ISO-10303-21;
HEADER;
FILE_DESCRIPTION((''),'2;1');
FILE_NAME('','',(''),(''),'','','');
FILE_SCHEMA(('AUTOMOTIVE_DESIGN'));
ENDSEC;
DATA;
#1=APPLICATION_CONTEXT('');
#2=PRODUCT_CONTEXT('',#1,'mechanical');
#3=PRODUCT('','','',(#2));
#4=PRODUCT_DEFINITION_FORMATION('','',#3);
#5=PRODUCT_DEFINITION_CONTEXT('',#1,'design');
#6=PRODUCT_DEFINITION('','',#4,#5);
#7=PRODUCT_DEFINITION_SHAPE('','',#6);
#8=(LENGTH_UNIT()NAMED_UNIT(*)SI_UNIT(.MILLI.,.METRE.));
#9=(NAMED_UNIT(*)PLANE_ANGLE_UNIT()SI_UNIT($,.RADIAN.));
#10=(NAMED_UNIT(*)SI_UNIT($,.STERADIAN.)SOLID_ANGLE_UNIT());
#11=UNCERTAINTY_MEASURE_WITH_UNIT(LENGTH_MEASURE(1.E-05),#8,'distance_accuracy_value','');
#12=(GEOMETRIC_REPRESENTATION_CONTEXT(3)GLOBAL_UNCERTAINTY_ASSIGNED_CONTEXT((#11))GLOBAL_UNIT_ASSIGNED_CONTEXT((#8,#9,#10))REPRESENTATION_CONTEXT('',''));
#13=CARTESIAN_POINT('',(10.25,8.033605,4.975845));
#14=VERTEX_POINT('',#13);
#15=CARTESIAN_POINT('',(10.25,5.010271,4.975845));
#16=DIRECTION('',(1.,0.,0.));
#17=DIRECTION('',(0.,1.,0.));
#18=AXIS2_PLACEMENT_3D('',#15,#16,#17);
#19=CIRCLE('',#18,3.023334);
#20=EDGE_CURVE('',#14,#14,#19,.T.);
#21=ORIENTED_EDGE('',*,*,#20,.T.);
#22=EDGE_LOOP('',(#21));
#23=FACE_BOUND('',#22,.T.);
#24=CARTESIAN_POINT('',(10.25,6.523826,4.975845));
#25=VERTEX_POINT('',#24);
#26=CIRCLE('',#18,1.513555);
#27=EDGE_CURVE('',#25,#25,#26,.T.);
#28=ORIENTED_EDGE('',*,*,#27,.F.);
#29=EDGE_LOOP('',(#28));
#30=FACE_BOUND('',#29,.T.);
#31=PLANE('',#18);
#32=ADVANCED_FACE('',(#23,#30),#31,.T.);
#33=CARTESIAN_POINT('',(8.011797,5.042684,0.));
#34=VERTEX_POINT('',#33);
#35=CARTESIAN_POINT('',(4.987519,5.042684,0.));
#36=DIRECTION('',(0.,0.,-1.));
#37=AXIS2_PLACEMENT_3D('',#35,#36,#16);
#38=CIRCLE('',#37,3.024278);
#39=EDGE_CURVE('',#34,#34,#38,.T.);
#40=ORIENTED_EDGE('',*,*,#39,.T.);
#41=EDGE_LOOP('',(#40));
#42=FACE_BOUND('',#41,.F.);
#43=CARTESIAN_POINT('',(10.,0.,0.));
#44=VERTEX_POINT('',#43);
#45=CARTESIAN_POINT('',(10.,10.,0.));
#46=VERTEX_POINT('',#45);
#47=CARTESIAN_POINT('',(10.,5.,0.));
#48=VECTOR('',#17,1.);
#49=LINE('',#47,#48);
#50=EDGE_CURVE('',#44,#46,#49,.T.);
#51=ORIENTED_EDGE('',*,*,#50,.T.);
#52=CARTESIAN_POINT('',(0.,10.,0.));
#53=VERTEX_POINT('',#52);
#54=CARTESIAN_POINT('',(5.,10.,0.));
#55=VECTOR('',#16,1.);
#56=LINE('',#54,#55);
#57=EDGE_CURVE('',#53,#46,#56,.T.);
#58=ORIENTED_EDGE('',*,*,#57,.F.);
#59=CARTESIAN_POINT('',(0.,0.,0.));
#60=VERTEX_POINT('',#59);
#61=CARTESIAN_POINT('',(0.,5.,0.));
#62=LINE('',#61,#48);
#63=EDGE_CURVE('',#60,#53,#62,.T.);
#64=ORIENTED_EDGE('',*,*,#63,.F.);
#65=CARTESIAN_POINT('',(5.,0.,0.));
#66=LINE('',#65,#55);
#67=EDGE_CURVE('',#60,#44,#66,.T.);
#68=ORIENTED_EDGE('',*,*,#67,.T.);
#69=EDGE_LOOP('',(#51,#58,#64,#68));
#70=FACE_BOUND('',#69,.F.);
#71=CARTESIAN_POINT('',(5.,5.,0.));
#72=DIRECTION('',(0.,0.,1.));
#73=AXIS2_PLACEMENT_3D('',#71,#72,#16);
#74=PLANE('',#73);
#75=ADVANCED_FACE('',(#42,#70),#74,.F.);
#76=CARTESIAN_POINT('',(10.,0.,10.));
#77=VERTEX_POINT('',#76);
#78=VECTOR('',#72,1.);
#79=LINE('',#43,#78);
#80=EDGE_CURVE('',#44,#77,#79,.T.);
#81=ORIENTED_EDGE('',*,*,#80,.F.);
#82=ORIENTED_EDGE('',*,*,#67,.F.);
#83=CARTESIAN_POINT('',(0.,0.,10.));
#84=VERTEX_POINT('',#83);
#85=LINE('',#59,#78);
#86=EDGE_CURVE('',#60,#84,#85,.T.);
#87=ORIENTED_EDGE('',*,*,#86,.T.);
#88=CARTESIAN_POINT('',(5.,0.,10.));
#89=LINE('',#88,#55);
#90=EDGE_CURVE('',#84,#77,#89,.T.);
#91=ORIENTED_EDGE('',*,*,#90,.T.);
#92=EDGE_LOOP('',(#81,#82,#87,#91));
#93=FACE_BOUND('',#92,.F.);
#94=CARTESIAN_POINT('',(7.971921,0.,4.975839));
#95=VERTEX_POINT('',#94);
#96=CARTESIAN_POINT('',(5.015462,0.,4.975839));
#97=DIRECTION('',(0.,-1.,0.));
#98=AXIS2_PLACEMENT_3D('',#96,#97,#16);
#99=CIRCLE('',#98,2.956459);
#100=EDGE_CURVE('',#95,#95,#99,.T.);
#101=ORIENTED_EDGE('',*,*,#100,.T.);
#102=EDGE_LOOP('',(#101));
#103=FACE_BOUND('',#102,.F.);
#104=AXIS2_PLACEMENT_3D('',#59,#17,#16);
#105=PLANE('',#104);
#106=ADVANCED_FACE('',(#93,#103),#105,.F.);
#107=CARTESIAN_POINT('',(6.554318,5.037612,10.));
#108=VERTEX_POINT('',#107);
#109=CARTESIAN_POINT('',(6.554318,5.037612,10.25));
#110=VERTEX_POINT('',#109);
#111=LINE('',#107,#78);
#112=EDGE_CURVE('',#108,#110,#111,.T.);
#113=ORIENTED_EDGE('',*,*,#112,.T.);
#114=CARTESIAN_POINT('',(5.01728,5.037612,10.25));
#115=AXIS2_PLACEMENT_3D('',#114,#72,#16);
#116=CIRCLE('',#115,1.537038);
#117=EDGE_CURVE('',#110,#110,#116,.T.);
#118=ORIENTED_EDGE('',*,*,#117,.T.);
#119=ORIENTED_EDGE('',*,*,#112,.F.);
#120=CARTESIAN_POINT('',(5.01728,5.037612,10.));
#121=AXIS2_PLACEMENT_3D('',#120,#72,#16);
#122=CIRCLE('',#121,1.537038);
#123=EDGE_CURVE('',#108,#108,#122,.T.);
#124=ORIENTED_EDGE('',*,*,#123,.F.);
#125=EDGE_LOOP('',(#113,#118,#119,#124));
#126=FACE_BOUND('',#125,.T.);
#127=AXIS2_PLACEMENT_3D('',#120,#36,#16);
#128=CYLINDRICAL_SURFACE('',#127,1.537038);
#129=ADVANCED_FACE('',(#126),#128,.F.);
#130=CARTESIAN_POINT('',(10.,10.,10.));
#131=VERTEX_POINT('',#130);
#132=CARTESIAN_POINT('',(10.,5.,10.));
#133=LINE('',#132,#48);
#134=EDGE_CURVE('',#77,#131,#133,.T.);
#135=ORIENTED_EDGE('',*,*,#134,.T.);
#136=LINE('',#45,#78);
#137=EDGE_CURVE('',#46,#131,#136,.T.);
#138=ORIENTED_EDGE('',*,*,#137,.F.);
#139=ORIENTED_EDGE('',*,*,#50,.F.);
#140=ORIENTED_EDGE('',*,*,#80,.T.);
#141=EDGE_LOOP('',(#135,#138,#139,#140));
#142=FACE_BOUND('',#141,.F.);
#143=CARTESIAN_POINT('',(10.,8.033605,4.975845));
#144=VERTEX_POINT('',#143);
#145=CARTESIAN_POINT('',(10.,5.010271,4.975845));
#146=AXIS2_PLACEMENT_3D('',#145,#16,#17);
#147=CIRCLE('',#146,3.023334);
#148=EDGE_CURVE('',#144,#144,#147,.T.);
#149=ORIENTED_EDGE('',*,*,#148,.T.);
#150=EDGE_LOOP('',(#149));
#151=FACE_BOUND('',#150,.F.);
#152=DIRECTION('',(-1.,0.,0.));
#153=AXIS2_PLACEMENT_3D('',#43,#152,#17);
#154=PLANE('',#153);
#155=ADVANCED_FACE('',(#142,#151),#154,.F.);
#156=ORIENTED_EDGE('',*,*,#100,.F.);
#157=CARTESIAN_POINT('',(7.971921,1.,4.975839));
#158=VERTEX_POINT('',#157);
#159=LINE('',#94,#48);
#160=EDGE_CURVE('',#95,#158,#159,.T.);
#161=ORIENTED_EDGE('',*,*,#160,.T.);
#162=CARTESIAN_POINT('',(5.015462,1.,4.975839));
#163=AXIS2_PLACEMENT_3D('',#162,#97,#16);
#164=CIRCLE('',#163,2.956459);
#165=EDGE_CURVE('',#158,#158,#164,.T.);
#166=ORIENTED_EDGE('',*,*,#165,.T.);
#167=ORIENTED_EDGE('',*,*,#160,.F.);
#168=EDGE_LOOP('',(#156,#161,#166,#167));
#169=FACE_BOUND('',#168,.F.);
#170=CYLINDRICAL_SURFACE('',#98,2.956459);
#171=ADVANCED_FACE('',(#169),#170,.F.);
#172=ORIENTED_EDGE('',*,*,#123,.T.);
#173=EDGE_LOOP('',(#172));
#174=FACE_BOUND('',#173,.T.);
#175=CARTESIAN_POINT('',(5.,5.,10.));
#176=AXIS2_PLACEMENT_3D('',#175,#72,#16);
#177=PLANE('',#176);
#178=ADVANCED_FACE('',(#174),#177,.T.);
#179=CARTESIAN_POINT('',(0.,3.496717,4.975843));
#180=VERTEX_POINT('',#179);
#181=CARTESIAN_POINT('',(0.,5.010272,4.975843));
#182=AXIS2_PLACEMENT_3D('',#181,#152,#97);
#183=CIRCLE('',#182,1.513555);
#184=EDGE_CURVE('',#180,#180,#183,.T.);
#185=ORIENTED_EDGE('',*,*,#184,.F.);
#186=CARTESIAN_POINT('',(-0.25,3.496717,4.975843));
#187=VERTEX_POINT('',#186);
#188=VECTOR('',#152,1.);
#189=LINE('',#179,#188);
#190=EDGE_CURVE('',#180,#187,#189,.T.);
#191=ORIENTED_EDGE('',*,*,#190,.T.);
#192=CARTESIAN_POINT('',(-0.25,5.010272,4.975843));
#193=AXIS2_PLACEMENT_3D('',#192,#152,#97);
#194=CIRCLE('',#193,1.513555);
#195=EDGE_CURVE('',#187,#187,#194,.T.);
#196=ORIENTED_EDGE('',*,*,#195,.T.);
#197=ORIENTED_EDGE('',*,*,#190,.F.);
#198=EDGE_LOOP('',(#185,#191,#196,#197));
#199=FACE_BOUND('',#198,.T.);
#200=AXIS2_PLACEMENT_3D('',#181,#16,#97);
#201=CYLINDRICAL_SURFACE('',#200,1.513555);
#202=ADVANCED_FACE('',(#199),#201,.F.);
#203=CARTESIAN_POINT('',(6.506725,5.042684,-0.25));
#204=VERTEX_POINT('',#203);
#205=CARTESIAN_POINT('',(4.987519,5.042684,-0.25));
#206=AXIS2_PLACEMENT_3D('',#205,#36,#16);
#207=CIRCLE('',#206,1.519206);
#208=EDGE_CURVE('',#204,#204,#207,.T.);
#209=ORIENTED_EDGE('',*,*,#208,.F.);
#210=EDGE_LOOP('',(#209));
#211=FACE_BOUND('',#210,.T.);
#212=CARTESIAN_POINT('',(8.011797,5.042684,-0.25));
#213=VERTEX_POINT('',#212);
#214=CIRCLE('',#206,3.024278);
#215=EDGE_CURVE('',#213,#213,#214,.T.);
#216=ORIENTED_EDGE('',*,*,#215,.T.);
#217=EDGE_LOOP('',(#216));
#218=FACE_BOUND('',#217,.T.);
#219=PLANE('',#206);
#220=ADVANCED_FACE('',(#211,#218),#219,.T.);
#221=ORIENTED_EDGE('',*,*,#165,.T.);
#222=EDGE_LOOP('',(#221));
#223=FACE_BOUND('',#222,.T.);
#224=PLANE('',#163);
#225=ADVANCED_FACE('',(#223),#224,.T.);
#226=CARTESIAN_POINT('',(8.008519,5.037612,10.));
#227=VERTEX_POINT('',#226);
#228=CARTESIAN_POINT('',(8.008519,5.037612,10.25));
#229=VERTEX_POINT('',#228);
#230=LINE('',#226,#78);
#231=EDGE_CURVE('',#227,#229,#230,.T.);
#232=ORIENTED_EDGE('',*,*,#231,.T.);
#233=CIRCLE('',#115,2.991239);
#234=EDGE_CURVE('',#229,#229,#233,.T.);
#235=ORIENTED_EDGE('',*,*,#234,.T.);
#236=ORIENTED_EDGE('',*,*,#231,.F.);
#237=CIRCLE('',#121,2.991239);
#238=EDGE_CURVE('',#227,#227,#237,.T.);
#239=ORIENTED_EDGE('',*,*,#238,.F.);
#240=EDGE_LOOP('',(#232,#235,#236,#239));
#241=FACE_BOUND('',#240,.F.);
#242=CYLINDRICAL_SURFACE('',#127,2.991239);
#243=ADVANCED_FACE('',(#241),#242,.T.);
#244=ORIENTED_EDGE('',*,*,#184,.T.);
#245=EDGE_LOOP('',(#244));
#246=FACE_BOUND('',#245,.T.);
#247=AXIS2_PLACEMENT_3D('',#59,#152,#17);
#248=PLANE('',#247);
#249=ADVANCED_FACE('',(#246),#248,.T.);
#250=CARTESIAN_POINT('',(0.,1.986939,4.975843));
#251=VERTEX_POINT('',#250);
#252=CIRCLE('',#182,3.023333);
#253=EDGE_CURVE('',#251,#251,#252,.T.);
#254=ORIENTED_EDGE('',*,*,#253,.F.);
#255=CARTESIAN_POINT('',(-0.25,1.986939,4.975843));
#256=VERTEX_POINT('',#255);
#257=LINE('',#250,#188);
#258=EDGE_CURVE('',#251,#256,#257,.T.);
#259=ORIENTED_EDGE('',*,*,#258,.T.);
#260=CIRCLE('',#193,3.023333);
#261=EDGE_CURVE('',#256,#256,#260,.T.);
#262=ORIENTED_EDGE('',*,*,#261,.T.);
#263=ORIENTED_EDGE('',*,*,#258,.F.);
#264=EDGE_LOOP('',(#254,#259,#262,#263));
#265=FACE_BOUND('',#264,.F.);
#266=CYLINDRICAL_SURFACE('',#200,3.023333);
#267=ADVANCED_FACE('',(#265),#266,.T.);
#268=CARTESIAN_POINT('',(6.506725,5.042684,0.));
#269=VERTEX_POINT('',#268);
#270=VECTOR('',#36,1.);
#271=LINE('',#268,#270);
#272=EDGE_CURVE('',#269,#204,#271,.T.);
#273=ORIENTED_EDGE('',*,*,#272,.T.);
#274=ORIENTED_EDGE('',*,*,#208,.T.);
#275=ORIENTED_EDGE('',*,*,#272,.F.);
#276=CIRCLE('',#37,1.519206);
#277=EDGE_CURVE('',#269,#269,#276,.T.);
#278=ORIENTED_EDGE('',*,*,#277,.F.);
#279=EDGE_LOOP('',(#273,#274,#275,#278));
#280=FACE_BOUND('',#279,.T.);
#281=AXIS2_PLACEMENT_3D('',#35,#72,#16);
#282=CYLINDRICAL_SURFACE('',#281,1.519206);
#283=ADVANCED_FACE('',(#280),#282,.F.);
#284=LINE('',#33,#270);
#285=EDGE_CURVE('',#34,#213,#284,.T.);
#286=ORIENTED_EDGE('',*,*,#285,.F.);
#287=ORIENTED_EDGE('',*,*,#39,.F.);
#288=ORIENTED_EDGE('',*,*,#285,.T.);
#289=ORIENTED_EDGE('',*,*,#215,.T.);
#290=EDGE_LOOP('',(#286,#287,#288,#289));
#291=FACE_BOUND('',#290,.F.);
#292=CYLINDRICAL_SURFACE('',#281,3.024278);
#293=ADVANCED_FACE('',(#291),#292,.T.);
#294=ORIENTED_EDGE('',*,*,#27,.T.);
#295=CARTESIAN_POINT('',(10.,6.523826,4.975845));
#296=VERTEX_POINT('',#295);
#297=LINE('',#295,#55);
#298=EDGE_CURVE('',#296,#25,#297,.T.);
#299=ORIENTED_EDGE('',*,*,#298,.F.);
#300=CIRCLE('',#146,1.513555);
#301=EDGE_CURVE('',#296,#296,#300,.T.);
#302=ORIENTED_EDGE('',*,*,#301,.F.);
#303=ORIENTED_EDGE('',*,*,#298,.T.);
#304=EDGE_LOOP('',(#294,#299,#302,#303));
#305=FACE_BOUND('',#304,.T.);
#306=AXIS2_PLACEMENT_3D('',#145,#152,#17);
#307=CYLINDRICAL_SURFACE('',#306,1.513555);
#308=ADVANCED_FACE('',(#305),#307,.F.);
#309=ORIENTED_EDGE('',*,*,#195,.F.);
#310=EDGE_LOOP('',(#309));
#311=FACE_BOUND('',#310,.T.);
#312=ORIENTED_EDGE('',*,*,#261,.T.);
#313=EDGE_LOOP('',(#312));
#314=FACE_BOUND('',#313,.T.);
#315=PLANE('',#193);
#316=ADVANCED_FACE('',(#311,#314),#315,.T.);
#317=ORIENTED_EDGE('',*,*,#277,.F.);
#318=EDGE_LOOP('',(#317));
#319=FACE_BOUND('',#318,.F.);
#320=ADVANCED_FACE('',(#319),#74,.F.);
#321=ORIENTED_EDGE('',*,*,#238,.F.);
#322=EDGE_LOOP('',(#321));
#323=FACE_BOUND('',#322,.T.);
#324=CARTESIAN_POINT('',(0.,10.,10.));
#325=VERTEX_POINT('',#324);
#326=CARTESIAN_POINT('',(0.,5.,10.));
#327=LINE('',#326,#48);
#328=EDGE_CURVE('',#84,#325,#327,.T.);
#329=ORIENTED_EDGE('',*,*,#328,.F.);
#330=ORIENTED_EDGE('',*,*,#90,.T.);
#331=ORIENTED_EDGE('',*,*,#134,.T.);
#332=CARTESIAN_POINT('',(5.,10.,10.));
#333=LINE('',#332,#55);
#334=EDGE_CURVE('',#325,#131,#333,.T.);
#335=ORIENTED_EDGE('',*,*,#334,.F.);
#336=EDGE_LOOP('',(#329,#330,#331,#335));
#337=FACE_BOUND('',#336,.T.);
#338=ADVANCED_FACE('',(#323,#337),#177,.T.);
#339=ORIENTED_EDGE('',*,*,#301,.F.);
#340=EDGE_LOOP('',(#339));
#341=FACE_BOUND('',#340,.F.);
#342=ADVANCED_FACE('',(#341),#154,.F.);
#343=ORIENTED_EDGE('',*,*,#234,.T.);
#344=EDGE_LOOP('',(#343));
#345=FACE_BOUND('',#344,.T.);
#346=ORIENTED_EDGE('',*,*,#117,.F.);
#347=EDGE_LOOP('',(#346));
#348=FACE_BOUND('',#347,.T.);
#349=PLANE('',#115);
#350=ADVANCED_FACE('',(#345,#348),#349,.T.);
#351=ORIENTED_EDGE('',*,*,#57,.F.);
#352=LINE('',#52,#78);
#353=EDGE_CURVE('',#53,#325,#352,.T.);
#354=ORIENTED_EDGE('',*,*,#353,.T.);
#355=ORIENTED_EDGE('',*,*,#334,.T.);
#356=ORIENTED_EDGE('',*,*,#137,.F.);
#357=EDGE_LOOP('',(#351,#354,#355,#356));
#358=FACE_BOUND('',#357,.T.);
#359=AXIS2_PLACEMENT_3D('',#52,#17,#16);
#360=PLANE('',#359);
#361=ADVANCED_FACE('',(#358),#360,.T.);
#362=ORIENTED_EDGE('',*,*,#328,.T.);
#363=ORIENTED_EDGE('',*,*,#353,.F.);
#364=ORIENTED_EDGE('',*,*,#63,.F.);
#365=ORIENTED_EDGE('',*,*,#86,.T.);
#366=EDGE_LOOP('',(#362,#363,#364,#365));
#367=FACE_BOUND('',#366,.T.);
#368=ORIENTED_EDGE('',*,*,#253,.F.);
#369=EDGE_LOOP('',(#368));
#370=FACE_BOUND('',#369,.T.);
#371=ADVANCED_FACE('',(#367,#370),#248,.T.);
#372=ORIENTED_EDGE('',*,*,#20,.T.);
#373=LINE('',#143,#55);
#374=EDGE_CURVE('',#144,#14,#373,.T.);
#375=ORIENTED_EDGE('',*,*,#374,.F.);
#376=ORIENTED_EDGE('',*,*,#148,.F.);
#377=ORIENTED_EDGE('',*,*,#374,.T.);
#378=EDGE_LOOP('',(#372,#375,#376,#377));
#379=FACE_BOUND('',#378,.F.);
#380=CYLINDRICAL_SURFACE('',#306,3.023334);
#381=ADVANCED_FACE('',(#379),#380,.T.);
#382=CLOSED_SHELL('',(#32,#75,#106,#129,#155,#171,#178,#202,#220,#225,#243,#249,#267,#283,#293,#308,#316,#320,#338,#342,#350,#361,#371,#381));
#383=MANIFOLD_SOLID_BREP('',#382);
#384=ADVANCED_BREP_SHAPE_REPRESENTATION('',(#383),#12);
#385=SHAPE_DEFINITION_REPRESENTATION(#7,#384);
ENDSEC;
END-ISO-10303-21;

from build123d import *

# Parameters (mm, degrees)
BOX_W         = 10
BOX_H         = 10
BOX_DEPTH     = 10
SKETCH_R      = 2.991239
SKETCH_R_2    = 1.537038
PAD_DEPTH     = 0.25
SKETCH001_R   = 3.024278
SKETCH001_R_2 = 1.519206
PAD001_DEPTH  = 0.25
SKETCH002_R   = 3.023334
SKETCH002_R_2 = 1.513555
PAD002_DEPTH  = 0.25
SKETCH003_R   = 3.023333
SKETCH003_R_2 = 1.513555
PAD003_DEPTH  = 0.25
SKETCH004_R   = 2.956459
POCKET_DEPTH  = 1


with BuildPart() as part:
    # Box → Box (new body)
    with BuildSketch(Plane.XY):
        with Locations((5, 5)):
            Rectangle(BOX_W, BOX_H)
    extrude(amount=BOX_DEPTH)

    # Sketch → Pad (new body)
    with BuildSketch(Plane.XY.offset(10)):
        with Locations((5.01728, 5.037612)):
            Circle(SKETCH_R)
        with Locations((5.01728, 5.037612)):
            Circle(SKETCH_R_2, mode=Mode.SUBTRACT)
    extrude(amount=PAD_DEPTH)

    # Sketch001 → Pad001 (new body)
    with BuildSketch(Plane(origin=(0, 0, 0), x_dir=(1, 0, 0), z_dir=(0, 0, -1))):
        with Locations((4.987519, -5.042684)):
            Circle(SKETCH001_R)
        with Locations((4.987519, -5.042684)):
            Circle(SKETCH001_R_2, mode=Mode.SUBTRACT)
    extrude(amount=PAD001_DEPTH)

    # Sketch002 → Pad002 (new body)
    with BuildSketch(Plane.YZ.offset(10)):
        with Locations((5.010271, 4.975845)):
            Circle(SKETCH002_R)
        with Locations((5.010271, 4.975845)):
            Circle(SKETCH002_R_2, mode=Mode.SUBTRACT)
    extrude(amount=PAD002_DEPTH)

    # Sketch003 → Pad003 (new body)
    with BuildSketch(Plane(origin=(0, 0, 0), x_dir=(0, -1, 0), z_dir=(-1, 0, 0))):
        with Locations((-5.010272, 4.975843)):
            Circle(SKETCH003_R)
        with Locations((-5.010272, 4.975843)):
            Circle(SKETCH003_R_2, mode=Mode.SUBTRACT)
    extrude(amount=PAD003_DEPTH)

    # Sketch004 → Pocket (cut)
    with BuildSketch(Plane.XZ):
        with Locations((5.015462, 4.975839)):
            Circle(SKETCH004_R)
    extrude(amount=-POCKET_DEPTH, mode=Mode.SUBTRACT)


solid = part.part
